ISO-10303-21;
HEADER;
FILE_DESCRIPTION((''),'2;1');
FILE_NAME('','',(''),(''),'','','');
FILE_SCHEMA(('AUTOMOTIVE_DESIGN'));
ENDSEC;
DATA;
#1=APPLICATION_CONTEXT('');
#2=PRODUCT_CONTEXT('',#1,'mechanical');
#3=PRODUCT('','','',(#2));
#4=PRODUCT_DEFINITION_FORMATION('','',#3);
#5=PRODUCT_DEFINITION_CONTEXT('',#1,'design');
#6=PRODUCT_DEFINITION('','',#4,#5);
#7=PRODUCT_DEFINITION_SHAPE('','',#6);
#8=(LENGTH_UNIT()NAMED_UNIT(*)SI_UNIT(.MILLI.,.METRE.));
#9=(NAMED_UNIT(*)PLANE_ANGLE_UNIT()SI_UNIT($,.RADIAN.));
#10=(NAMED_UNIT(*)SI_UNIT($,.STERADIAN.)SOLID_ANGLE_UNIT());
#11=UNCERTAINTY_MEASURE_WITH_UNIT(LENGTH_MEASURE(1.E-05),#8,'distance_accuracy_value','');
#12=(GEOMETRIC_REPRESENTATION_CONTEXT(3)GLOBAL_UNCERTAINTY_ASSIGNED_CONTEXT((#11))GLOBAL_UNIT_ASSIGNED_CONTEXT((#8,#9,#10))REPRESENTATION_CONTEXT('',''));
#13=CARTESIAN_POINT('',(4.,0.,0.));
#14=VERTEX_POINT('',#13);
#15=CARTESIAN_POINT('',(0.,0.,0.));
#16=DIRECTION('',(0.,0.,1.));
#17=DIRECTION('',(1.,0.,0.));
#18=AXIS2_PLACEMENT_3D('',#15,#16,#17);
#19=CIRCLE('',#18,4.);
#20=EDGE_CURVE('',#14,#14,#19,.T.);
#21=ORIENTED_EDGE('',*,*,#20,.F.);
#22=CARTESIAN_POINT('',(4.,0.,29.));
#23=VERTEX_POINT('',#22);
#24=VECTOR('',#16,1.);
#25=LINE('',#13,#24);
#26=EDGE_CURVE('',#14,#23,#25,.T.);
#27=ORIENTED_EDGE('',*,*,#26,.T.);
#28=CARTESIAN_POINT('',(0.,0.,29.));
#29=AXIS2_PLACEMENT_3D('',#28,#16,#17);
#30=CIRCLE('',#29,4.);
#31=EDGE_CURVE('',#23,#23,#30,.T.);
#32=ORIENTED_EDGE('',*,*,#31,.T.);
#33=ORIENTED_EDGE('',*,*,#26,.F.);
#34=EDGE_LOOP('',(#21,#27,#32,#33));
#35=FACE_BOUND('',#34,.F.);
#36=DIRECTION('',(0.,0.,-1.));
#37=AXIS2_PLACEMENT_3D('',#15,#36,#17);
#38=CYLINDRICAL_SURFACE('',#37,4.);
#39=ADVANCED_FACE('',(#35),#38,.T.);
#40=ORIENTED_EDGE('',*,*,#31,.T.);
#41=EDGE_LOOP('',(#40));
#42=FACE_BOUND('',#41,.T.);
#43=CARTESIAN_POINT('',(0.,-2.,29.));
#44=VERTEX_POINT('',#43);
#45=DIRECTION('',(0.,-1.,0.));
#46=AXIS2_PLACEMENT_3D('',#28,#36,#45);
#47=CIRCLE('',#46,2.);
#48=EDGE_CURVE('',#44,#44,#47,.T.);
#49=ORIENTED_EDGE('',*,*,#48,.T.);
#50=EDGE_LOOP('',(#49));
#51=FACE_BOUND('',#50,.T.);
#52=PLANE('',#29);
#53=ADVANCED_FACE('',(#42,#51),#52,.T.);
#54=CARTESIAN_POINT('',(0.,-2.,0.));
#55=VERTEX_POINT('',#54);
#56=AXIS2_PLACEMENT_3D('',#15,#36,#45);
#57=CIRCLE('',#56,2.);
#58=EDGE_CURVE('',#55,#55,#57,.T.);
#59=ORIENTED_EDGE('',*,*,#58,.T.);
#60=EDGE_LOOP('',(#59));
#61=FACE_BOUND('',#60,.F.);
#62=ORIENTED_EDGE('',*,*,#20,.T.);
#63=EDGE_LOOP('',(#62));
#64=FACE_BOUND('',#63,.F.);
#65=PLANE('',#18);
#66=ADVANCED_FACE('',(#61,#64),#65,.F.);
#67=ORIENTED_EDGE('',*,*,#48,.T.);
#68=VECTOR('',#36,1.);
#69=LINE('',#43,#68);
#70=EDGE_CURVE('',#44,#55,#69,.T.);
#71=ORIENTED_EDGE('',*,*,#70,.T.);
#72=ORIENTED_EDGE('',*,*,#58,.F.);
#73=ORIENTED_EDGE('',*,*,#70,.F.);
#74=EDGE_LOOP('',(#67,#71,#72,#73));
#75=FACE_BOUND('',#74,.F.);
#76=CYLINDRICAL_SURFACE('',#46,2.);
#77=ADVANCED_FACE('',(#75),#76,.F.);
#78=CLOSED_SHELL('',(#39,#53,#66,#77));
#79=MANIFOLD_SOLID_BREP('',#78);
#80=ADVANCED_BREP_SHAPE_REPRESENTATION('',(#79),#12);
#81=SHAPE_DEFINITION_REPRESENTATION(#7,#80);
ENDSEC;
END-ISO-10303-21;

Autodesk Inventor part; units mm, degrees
ref_plane "YZ Plane" through (0, 0, 0) normal (1, 0, 0) x (0, 1, 0)
ref_plane "XZ Plane" through (0, 0, 0) normal (0, 1, 0) x (-1, 0, 0)
ref_plane "XY Plane" through (0, 0, 0) normal (0, 0, 1) x (1, 0, 0)
sketch "Sketch1" plane through (0, 0, 0) normal (0, 0, 1) x (1, 0, 0)
  circle A0 centre (0, 0) radius 4
  dimension "d0" = 8
extrude "Extrusion1" add sketch "Sketch1" along normal blind 29
thread "Thread1" size "M8x1.25" class "6g" standard "ANSI Metric M Profile" full length
sketch "Sketch2" plane through (0, 0, 29) normal (0, 0, 1) x (1, 0, 0)
  point P0 (0, 0)
hole "Hole1" at (0, 0, 29) direction (0, 0, -1) diameter 4 end through all
properties part number "HUDSON-1-78"
